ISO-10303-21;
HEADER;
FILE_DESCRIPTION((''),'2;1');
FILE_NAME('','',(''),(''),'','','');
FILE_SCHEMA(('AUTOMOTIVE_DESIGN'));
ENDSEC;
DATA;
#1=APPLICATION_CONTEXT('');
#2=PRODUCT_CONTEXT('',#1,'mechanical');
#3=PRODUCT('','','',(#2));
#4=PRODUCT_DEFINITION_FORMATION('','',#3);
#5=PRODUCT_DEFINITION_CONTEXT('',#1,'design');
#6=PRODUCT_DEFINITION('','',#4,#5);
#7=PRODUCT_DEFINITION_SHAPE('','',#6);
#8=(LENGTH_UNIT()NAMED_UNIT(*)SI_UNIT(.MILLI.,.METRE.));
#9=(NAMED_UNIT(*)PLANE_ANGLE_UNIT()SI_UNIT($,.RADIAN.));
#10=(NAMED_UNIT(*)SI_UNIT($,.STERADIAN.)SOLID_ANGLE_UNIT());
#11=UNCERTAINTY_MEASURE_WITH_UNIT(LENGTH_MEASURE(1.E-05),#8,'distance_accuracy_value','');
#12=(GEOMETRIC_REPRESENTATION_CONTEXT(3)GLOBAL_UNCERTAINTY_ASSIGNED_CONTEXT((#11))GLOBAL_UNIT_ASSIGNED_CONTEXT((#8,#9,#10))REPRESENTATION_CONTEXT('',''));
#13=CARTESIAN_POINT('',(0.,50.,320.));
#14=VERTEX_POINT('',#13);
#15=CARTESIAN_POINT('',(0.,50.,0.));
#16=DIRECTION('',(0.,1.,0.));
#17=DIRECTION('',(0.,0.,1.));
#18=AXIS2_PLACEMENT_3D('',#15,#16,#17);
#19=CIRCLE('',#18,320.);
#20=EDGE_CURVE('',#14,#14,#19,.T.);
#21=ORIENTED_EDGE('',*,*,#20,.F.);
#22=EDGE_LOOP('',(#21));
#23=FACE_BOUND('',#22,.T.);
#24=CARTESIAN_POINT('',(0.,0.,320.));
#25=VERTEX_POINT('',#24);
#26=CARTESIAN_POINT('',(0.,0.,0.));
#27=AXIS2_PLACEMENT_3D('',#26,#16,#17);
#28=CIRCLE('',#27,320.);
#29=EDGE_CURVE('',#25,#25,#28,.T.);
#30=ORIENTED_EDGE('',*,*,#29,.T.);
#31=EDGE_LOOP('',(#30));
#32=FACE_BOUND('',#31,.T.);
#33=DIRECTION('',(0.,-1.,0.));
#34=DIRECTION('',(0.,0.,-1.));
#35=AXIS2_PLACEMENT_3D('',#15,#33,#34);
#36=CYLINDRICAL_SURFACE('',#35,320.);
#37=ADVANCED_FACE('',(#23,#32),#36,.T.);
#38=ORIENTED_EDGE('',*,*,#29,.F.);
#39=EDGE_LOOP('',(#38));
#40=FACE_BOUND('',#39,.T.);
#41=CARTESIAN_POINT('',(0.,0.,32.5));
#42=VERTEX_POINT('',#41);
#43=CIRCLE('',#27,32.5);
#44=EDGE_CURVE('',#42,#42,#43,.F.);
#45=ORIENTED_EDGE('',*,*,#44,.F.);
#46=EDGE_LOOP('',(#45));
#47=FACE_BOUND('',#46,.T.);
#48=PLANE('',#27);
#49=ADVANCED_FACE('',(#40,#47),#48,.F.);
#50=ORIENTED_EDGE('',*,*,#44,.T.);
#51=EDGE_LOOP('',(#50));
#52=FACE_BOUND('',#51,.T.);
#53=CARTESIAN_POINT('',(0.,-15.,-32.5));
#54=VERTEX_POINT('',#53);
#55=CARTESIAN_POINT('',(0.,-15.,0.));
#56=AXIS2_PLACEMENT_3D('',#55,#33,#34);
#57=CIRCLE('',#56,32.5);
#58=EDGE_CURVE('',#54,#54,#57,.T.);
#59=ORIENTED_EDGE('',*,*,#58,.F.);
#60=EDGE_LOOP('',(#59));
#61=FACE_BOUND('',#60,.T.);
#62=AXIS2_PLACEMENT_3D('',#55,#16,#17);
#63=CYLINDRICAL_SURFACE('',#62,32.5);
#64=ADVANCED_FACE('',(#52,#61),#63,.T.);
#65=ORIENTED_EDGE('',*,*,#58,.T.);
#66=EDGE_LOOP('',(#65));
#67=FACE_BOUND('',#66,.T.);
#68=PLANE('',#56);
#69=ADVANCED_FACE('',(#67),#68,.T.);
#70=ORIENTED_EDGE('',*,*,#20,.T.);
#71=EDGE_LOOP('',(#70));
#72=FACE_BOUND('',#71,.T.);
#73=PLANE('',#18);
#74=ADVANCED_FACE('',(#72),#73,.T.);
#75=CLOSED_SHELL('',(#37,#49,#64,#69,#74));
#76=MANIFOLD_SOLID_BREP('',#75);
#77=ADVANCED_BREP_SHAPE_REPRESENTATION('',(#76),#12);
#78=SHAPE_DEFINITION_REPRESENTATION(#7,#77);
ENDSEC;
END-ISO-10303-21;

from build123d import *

# Parameters (mm, degrees)
SKETCH1_R           = 320
BOSS_EXTRUDE1_DEPTH = 50
SKETCH4_R           = 32.5
BOSS_EXTRUDE2_DEPTH = 15


with BuildPart() as part:
    # Sketch1 → Boss-Extrude1 (new body)
    with BuildSketch(Plane(origin=(0, 0, 0), x_dir=(1, 0, 0), z_dir=(0, 1, 0))):
        with Locations(Location((0, 0, 0), (0, 0, 270))):
            Circle(SKETCH1_R)
    extrude(amount=BOSS_EXTRUDE1_DEPTH)

    # Sketch4 → Boss-Extrude2 (add)
    with BuildSketch(Plane.XZ):
        with Locations(Location((0, 0, 0), (0, 0, 90))):
            Circle(SKETCH4_R)
    extrude(amount=BOSS_EXTRUDE2_DEPTH)


solid = part.part
